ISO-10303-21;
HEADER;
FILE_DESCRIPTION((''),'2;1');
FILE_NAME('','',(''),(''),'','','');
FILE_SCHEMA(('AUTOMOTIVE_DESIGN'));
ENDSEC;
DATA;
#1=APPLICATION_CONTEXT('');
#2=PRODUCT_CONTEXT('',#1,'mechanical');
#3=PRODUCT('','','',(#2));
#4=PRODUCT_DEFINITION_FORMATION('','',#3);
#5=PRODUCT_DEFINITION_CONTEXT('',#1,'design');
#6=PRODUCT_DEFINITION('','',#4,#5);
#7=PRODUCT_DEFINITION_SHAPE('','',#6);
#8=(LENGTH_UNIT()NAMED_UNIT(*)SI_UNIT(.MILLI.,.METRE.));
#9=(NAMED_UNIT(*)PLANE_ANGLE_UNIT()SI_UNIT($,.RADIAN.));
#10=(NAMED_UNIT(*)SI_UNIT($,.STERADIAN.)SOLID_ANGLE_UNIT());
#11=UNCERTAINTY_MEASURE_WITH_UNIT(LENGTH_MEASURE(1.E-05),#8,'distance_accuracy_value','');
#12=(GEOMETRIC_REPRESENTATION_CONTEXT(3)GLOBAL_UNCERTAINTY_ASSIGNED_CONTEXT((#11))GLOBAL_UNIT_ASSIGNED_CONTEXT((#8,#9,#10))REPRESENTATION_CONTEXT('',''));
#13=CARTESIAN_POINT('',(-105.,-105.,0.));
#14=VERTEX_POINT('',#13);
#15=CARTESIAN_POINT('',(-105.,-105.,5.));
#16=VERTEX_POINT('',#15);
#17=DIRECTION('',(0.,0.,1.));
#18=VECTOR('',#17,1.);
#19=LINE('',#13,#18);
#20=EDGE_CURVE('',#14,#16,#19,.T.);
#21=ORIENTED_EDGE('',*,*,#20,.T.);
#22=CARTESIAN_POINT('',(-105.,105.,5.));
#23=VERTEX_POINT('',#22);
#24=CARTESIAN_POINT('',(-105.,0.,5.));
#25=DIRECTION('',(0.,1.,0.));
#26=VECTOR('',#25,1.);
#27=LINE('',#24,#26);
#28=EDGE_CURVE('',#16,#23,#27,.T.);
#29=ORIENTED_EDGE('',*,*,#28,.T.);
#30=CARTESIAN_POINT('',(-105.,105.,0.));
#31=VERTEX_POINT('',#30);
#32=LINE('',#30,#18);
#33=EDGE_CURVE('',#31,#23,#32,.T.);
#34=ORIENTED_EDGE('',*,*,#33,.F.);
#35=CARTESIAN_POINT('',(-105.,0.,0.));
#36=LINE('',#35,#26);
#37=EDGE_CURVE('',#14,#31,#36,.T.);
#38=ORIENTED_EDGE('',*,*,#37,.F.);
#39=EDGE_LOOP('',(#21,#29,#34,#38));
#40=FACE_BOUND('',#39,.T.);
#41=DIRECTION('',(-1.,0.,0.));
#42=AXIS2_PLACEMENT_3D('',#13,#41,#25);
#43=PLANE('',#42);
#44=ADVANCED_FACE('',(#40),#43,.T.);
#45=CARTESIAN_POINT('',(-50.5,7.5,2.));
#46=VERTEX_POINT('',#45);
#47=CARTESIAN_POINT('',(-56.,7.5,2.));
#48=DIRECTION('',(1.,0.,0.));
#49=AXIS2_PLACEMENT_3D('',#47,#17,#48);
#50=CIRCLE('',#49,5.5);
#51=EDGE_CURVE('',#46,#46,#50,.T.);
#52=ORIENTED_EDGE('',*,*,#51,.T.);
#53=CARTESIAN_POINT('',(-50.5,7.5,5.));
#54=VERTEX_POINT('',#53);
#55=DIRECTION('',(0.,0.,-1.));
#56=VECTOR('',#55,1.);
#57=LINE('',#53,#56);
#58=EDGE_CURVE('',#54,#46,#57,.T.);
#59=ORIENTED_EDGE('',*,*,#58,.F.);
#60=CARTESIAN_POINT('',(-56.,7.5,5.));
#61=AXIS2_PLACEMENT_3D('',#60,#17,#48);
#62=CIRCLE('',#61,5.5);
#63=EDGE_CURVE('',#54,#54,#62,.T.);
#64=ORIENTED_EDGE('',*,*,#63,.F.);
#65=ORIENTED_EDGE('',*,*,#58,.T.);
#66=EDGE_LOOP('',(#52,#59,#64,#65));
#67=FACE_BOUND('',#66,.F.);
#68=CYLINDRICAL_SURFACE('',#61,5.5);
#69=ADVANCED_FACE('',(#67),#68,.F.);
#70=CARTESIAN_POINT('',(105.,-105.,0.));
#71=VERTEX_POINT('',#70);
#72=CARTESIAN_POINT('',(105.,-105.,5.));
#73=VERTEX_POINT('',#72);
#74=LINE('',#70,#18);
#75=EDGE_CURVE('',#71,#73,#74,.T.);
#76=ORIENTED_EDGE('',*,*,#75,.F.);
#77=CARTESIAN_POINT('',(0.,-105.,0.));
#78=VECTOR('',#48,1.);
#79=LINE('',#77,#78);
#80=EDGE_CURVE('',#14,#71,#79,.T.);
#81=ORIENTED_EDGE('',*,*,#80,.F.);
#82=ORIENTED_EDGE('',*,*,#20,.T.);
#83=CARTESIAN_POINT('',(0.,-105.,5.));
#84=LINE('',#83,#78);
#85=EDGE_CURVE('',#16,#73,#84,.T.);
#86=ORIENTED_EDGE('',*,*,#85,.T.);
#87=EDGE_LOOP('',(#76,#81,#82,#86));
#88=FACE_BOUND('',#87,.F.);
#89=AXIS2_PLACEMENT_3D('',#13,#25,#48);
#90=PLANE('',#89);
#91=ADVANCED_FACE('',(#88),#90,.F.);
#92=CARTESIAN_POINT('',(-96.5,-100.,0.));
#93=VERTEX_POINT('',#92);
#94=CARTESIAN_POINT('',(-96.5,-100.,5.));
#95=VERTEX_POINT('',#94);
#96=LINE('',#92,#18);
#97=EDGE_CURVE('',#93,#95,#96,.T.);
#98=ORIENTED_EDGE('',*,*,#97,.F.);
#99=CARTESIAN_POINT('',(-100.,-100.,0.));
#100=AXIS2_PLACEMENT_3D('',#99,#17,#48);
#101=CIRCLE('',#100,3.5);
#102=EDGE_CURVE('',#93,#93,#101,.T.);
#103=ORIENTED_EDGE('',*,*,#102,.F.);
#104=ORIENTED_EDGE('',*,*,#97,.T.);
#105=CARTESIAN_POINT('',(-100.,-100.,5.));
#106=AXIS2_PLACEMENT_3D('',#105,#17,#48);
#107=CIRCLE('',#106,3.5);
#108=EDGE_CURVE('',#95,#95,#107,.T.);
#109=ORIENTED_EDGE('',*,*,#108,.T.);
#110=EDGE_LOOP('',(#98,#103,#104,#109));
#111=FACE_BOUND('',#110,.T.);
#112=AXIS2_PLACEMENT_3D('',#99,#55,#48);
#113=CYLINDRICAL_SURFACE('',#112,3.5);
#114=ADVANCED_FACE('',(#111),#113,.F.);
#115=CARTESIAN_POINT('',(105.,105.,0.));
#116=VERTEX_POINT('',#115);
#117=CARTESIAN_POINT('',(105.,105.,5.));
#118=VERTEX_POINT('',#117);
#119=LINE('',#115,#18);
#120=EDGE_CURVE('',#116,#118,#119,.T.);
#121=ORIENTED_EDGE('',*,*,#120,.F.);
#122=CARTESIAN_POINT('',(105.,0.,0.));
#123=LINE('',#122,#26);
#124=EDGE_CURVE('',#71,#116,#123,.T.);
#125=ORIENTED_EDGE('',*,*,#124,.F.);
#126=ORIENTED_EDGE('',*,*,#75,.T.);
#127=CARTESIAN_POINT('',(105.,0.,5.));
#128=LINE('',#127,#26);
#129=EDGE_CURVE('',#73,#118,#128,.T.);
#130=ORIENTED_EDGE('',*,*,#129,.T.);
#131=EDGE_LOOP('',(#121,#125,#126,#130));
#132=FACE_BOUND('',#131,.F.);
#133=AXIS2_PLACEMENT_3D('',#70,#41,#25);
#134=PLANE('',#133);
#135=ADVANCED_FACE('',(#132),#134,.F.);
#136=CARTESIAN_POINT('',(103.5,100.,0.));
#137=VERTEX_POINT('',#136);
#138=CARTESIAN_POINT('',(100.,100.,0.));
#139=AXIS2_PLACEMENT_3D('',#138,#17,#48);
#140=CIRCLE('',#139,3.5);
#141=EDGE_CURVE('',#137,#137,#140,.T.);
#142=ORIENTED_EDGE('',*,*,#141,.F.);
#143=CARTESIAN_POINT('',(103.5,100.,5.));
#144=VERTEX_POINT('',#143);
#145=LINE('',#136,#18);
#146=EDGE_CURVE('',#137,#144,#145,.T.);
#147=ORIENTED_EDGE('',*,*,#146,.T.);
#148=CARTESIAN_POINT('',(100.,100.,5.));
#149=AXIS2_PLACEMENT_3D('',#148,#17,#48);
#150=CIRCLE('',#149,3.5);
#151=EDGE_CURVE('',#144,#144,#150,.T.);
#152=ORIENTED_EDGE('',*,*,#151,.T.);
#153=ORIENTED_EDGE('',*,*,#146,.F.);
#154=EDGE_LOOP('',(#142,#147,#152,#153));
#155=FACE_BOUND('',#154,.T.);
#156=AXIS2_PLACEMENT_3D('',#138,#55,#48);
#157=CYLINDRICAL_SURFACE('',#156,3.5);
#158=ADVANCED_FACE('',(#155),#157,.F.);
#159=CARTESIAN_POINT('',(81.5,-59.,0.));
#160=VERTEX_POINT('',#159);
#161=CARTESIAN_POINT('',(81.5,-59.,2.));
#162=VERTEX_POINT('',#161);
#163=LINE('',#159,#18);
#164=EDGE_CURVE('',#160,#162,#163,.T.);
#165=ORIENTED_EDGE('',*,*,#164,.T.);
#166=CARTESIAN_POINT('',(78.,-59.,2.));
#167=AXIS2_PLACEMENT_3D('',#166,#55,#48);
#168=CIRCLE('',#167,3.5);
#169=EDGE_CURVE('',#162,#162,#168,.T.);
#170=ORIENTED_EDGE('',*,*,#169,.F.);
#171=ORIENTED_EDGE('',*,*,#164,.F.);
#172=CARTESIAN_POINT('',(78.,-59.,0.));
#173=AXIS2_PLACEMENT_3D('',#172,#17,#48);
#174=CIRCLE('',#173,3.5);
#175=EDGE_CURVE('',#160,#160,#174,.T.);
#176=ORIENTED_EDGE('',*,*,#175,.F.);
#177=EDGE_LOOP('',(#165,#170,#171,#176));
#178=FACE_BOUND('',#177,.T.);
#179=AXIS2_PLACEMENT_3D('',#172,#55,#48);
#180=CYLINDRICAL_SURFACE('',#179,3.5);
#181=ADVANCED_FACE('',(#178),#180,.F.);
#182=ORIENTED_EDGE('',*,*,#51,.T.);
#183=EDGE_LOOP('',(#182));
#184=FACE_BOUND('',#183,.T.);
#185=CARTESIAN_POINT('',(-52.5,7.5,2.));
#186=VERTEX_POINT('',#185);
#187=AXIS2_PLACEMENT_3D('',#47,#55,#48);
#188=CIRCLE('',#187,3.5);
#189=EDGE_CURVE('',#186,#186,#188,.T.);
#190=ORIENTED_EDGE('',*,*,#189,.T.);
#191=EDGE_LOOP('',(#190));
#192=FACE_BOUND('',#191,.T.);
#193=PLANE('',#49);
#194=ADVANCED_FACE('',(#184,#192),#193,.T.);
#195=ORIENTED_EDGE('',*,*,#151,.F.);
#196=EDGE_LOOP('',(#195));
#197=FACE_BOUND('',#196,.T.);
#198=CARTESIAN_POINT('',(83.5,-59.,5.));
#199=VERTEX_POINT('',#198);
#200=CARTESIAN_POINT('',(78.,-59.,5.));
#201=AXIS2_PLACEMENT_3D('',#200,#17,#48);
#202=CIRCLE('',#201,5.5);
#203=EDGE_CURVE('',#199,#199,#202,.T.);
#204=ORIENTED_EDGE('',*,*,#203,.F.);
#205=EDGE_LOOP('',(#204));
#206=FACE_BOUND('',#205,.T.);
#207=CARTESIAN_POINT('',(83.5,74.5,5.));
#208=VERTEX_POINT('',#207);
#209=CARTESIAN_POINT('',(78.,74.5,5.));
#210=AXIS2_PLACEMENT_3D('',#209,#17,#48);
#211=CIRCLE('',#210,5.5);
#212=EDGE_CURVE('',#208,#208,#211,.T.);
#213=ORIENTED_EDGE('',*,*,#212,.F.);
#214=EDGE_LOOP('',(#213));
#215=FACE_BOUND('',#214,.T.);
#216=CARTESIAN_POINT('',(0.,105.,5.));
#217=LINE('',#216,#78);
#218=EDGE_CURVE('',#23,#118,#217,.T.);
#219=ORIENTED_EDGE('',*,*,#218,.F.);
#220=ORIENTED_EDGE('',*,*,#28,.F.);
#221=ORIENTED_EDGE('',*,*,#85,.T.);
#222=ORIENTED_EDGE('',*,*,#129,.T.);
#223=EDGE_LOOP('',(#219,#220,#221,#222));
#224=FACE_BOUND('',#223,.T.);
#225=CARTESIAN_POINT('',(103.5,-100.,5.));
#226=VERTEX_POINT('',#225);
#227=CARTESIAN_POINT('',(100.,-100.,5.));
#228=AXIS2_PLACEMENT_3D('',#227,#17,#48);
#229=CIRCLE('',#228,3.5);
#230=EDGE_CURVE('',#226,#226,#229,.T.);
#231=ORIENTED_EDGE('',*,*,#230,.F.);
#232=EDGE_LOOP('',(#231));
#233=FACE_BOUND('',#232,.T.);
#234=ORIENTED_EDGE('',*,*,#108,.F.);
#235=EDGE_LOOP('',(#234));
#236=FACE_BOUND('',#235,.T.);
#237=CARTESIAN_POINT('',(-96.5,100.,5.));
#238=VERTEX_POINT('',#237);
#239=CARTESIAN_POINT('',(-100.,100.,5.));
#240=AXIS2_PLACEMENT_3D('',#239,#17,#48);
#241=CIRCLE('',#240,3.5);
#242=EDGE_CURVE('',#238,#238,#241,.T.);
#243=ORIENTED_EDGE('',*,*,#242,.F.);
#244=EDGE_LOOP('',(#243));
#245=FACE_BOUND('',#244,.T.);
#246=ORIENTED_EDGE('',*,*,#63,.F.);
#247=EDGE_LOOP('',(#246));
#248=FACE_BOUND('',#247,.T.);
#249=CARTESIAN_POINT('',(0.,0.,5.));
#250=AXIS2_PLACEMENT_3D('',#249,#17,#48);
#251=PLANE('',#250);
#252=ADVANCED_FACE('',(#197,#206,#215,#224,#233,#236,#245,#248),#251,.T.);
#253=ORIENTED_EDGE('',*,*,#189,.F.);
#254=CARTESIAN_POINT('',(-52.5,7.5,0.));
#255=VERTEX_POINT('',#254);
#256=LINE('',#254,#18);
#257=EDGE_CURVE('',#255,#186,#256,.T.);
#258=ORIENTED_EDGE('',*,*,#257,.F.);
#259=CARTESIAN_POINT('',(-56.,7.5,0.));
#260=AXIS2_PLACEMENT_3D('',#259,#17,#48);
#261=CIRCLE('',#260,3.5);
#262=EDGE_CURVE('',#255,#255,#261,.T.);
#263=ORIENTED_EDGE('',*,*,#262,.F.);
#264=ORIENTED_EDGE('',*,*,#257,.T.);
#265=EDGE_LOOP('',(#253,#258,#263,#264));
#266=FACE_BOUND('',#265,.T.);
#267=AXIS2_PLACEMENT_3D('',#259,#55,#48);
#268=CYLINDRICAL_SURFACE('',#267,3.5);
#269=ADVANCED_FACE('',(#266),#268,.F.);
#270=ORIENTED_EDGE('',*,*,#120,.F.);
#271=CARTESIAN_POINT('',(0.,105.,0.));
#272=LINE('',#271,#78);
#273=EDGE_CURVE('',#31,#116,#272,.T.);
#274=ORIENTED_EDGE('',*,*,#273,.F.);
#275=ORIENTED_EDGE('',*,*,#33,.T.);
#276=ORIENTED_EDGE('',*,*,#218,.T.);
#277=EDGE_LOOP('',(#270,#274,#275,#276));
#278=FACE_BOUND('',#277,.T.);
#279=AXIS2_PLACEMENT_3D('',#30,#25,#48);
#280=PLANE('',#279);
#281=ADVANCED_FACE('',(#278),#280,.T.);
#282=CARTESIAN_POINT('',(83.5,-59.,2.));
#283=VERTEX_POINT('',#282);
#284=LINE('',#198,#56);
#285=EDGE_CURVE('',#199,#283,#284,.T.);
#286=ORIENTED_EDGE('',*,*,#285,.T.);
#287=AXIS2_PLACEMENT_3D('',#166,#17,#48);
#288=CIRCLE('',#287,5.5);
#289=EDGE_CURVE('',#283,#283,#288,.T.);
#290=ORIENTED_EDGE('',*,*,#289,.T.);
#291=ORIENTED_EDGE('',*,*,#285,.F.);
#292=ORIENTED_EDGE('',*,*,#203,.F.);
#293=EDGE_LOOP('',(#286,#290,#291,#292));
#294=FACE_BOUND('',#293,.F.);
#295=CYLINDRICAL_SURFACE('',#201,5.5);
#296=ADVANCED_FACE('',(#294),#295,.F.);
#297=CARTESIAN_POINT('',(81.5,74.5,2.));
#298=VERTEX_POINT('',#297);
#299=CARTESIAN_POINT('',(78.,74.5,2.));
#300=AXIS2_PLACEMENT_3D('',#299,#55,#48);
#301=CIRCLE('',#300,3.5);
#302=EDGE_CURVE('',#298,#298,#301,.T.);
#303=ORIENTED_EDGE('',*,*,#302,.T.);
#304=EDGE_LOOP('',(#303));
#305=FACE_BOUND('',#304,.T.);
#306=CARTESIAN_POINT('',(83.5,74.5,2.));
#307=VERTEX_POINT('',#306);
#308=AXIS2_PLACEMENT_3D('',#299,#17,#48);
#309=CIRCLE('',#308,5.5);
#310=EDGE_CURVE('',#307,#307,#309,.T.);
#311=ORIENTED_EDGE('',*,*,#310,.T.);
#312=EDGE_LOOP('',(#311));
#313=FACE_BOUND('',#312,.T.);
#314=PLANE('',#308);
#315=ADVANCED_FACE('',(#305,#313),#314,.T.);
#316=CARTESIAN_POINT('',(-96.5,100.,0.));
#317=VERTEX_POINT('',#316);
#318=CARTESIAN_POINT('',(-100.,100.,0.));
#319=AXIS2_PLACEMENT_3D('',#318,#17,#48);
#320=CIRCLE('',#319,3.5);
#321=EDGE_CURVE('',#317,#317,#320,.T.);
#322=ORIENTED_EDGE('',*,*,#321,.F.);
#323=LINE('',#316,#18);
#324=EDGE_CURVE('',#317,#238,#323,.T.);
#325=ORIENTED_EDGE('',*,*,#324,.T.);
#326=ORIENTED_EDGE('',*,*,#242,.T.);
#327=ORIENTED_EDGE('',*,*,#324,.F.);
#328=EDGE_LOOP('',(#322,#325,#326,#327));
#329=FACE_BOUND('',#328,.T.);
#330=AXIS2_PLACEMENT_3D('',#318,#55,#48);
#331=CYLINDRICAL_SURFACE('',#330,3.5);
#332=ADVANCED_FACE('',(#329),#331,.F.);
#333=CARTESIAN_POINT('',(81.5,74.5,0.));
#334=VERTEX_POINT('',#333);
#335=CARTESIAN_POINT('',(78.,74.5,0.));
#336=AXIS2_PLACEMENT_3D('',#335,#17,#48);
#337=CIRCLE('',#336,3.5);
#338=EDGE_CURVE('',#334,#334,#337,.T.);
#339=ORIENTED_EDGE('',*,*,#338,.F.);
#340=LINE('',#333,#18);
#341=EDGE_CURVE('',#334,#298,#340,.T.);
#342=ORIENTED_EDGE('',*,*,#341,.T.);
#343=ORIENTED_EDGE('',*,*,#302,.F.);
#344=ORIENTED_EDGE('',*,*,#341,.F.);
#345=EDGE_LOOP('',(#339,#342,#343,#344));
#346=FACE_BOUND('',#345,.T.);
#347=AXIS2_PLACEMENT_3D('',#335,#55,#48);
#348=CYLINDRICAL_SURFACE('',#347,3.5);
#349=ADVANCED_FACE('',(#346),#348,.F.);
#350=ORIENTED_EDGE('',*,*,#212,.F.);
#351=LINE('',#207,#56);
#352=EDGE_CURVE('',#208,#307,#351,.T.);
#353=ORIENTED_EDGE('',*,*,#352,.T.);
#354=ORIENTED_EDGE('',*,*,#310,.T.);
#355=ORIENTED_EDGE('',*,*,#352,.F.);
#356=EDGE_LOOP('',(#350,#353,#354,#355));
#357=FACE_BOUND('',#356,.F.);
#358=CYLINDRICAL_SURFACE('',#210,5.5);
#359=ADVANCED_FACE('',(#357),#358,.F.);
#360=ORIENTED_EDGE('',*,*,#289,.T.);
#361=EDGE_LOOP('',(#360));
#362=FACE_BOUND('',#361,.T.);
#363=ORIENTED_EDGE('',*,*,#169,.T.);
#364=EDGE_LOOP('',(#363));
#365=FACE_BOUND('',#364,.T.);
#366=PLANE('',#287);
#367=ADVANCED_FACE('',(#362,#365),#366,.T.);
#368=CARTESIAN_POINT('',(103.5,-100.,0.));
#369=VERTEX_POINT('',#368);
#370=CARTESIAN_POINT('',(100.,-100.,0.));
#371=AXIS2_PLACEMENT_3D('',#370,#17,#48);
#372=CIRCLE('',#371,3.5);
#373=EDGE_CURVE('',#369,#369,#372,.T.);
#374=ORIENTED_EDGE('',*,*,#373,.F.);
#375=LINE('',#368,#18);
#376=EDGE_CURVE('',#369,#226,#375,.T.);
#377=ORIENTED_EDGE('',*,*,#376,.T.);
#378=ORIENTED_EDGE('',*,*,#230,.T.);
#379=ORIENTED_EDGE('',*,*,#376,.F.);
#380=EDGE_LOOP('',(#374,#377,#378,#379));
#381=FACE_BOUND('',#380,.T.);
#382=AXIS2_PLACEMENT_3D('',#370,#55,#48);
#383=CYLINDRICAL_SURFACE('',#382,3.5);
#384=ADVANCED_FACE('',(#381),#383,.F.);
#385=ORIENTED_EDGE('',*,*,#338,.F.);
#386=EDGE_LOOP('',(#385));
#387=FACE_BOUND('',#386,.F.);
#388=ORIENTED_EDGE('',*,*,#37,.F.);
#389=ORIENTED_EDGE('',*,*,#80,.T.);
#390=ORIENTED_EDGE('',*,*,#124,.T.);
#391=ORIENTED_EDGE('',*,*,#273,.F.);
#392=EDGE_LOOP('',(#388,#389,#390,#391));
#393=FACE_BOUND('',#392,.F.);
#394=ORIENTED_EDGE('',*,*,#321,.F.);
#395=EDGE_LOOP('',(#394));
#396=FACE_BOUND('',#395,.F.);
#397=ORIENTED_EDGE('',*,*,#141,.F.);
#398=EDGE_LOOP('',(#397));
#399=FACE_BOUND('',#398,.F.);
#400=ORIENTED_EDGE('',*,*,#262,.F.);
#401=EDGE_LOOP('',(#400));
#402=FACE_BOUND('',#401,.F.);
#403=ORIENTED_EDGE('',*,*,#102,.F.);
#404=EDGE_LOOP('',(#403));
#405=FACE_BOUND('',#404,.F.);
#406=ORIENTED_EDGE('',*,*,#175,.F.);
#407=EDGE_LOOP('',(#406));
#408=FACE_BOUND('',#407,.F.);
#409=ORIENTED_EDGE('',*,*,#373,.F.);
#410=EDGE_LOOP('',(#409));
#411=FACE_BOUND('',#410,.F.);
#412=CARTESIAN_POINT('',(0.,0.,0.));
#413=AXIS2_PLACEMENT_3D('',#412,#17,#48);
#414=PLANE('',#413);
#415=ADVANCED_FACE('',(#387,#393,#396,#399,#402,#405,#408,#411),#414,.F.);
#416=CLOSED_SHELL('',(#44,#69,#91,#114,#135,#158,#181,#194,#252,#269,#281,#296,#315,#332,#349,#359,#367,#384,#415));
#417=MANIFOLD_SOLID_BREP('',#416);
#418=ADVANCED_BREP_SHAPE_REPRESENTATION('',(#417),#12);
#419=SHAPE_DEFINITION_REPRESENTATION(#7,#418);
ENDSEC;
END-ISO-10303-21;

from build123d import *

# Parameters (mm, degrees)
F0_W     = 210
F0_H     = 210
F0_R     = 3.5
F1_DEPTH = 5
F2_R     = 5.5
F3_DEPTH = 3


with BuildPart() as f1:
    # F0 (on Top) → F1 (new body)
    with BuildSketch(Plane.XY):
        Rectangle(F0_W, F0_H)
        with Locations((-100, -100)):
            Circle(F0_R, mode=Mode.SUBTRACT)
        with Locations((100, -100)):
            Circle(F0_R, mode=Mode.SUBTRACT)
        with Locations((78, -59)):
            Circle(F0_R, mode=Mode.SUBTRACT)
        with Locations((-56, 7.5)):
            Circle(F0_R, mode=Mode.SUBTRACT)
        with Locations((-100, 100)):
            Circle(F0_R, mode=Mode.SUBTRACT)
        with Locations((78, 74.5)):
            Circle(F0_R, mode=Mode.SUBTRACT)
        with Locations((100, 100)):
            Circle(F0_R, mode=Mode.SUBTRACT)
    extrude(amount=F1_DEPTH)

    # F2 (on face) → F3 (cut)
    with BuildSketch(Plane.XY.offset(5)):
        with Locations((-56, 7.5)):
            Circle(F2_R)
        with Locations((78, 74.5)):
            Circle(F2_R)
        with Locations((78, -59)):
            Circle(F2_R)
    extrude(amount=-F3_DEPTH, mode=Mode.SUBTRACT)


solid = f1.part
